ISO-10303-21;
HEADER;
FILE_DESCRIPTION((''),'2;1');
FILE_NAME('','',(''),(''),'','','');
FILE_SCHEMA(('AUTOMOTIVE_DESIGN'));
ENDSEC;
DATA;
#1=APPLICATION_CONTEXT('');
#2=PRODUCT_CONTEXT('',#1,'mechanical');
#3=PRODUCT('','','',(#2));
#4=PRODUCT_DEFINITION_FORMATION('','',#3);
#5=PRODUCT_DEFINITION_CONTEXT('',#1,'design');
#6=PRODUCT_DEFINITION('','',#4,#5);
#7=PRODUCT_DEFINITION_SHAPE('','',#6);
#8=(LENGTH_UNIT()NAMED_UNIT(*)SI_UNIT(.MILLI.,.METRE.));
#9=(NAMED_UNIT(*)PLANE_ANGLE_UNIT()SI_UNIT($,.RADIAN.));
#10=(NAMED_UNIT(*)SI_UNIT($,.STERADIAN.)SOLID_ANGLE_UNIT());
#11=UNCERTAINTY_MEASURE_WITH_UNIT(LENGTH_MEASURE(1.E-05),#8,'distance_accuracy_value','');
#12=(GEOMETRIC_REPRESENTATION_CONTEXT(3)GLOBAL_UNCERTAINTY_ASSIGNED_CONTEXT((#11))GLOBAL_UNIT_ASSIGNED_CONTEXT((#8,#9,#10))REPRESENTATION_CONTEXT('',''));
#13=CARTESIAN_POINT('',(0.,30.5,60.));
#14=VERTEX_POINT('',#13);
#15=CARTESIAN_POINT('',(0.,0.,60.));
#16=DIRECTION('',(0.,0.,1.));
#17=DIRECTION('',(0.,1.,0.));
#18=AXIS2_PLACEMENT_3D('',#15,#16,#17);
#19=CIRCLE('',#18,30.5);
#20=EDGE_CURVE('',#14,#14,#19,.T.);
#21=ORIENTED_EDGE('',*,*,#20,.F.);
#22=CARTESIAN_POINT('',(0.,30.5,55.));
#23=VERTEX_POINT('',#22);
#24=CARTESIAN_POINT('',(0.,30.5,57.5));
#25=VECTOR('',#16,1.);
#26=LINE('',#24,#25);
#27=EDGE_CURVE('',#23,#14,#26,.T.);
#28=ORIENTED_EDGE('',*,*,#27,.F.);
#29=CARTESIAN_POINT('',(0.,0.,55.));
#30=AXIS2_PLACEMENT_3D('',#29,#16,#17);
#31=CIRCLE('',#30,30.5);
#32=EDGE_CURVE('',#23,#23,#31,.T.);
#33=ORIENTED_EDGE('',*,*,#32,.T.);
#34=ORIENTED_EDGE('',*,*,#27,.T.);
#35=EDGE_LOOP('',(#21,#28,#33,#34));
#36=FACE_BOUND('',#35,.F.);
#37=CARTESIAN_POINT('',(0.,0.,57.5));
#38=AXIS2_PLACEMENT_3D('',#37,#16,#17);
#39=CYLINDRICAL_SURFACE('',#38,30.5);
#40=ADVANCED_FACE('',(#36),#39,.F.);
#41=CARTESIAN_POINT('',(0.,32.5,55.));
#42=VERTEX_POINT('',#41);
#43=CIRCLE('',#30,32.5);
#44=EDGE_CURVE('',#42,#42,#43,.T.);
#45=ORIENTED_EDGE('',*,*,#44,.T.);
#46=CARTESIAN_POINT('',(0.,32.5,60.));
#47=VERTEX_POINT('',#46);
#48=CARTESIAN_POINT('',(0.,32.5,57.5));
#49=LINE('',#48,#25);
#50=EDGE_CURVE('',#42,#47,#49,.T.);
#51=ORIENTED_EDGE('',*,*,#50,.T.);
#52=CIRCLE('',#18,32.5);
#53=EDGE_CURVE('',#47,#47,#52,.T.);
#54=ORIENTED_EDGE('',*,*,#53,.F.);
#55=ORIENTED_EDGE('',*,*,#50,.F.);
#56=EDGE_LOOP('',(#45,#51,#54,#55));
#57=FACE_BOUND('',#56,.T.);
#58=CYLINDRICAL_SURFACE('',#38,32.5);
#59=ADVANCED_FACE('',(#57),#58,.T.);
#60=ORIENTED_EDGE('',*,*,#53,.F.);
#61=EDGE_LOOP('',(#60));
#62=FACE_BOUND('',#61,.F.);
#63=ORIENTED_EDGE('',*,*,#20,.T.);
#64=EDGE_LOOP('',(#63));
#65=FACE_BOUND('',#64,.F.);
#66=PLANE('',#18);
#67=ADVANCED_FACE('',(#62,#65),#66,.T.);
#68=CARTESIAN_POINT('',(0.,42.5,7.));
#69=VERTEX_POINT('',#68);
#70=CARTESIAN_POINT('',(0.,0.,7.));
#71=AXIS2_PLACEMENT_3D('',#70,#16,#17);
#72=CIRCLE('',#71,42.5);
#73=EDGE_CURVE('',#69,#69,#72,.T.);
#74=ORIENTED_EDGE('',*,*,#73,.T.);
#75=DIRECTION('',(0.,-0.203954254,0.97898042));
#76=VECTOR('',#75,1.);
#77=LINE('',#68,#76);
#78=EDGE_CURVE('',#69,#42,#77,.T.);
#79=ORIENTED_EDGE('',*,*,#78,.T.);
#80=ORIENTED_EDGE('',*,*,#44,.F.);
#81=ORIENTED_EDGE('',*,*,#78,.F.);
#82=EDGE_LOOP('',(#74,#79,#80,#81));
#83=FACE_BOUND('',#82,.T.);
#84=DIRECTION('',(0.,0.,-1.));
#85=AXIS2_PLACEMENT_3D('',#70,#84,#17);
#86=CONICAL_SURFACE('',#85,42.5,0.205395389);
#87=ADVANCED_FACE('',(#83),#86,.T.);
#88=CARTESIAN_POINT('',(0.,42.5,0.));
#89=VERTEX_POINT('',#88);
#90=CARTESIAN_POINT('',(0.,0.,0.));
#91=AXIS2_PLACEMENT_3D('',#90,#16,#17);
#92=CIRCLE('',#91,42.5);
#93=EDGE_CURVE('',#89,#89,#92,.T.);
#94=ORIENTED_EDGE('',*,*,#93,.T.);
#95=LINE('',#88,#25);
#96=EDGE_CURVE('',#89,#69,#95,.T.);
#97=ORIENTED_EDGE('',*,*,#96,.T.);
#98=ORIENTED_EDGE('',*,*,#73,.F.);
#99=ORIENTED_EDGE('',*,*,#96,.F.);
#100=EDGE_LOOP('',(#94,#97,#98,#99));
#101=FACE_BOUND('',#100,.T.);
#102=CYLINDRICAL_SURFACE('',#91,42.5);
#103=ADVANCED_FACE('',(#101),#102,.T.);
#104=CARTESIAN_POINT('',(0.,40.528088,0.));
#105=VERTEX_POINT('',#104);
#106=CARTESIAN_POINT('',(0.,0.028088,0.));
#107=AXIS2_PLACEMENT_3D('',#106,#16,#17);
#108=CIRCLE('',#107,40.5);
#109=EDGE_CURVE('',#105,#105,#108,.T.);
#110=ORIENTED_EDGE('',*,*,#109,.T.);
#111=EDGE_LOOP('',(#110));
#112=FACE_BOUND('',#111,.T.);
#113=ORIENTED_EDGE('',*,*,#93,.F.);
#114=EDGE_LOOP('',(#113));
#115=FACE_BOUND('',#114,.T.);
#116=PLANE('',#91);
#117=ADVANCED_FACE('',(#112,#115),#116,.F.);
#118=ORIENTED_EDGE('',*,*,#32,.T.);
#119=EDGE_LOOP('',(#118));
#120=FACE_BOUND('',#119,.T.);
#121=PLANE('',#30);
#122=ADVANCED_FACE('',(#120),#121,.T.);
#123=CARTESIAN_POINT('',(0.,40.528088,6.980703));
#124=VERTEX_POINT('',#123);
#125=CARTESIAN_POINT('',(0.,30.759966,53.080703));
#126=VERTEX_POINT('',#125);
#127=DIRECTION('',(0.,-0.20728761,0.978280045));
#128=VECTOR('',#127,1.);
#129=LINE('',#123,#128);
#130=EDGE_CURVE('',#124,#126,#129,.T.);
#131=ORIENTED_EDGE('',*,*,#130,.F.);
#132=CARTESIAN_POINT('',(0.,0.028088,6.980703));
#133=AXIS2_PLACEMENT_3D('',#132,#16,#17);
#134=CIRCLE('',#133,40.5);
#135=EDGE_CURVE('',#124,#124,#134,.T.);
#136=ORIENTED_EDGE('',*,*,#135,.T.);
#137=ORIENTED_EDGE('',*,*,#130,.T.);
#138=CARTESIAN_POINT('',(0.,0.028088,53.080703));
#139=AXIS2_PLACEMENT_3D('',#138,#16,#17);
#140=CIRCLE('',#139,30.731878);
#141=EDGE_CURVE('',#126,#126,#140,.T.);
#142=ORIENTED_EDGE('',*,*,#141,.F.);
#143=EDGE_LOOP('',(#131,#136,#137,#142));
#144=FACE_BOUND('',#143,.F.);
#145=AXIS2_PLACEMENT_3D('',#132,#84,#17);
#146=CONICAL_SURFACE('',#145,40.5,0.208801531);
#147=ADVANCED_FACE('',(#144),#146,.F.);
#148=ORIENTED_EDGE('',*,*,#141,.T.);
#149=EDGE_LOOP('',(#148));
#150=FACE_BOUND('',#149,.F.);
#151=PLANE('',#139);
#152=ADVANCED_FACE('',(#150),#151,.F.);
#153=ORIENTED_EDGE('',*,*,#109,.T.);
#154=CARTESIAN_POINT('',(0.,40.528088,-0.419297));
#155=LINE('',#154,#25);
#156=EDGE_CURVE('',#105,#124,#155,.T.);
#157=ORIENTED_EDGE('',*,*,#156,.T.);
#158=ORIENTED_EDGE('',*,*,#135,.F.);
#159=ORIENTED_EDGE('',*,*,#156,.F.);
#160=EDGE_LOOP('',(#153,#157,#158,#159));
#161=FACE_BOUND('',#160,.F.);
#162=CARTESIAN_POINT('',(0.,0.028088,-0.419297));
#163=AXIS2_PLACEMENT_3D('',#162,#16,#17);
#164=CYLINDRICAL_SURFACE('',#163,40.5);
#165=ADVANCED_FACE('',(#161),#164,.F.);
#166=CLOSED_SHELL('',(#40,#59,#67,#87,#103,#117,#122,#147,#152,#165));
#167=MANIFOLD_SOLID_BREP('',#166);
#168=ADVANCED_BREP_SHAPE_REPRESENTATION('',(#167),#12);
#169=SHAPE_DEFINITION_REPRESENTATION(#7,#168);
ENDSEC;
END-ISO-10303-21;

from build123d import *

# Parameters (mm, degrees)
F0_W = 2
F0_H = 5


with BuildPart() as f1:
    # F0 (on Right) → F1 (revolve)
    with BuildSketch(Plane.YZ):
        Polygon((0, 55), (0, 0), (42.5, 0), (42.5, 7), (32.5, 55), (30.5, 55), align=None)
        with Locations((31.5, 57.5)):
            Rectangle(F0_W, F0_H)
    revolve(axis=Axis((0, 0, 27.5), (0, 0, 1)))

    # F2 (on Right) → F3 (revolve, cut)
    with BuildSketch(Plane.YZ):
        Polygon((0.028088, 53.080703), (0.028088, -0.419297), (40.528088, -0.419297), (40.528088, 6.980703), (30.759966, 53.080703), align=None)
    revolve(axis=Axis((0, 0.028088, 26.330703), (0, 0, 1)), mode=Mode.SUBTRACT)


solid = f1.part
